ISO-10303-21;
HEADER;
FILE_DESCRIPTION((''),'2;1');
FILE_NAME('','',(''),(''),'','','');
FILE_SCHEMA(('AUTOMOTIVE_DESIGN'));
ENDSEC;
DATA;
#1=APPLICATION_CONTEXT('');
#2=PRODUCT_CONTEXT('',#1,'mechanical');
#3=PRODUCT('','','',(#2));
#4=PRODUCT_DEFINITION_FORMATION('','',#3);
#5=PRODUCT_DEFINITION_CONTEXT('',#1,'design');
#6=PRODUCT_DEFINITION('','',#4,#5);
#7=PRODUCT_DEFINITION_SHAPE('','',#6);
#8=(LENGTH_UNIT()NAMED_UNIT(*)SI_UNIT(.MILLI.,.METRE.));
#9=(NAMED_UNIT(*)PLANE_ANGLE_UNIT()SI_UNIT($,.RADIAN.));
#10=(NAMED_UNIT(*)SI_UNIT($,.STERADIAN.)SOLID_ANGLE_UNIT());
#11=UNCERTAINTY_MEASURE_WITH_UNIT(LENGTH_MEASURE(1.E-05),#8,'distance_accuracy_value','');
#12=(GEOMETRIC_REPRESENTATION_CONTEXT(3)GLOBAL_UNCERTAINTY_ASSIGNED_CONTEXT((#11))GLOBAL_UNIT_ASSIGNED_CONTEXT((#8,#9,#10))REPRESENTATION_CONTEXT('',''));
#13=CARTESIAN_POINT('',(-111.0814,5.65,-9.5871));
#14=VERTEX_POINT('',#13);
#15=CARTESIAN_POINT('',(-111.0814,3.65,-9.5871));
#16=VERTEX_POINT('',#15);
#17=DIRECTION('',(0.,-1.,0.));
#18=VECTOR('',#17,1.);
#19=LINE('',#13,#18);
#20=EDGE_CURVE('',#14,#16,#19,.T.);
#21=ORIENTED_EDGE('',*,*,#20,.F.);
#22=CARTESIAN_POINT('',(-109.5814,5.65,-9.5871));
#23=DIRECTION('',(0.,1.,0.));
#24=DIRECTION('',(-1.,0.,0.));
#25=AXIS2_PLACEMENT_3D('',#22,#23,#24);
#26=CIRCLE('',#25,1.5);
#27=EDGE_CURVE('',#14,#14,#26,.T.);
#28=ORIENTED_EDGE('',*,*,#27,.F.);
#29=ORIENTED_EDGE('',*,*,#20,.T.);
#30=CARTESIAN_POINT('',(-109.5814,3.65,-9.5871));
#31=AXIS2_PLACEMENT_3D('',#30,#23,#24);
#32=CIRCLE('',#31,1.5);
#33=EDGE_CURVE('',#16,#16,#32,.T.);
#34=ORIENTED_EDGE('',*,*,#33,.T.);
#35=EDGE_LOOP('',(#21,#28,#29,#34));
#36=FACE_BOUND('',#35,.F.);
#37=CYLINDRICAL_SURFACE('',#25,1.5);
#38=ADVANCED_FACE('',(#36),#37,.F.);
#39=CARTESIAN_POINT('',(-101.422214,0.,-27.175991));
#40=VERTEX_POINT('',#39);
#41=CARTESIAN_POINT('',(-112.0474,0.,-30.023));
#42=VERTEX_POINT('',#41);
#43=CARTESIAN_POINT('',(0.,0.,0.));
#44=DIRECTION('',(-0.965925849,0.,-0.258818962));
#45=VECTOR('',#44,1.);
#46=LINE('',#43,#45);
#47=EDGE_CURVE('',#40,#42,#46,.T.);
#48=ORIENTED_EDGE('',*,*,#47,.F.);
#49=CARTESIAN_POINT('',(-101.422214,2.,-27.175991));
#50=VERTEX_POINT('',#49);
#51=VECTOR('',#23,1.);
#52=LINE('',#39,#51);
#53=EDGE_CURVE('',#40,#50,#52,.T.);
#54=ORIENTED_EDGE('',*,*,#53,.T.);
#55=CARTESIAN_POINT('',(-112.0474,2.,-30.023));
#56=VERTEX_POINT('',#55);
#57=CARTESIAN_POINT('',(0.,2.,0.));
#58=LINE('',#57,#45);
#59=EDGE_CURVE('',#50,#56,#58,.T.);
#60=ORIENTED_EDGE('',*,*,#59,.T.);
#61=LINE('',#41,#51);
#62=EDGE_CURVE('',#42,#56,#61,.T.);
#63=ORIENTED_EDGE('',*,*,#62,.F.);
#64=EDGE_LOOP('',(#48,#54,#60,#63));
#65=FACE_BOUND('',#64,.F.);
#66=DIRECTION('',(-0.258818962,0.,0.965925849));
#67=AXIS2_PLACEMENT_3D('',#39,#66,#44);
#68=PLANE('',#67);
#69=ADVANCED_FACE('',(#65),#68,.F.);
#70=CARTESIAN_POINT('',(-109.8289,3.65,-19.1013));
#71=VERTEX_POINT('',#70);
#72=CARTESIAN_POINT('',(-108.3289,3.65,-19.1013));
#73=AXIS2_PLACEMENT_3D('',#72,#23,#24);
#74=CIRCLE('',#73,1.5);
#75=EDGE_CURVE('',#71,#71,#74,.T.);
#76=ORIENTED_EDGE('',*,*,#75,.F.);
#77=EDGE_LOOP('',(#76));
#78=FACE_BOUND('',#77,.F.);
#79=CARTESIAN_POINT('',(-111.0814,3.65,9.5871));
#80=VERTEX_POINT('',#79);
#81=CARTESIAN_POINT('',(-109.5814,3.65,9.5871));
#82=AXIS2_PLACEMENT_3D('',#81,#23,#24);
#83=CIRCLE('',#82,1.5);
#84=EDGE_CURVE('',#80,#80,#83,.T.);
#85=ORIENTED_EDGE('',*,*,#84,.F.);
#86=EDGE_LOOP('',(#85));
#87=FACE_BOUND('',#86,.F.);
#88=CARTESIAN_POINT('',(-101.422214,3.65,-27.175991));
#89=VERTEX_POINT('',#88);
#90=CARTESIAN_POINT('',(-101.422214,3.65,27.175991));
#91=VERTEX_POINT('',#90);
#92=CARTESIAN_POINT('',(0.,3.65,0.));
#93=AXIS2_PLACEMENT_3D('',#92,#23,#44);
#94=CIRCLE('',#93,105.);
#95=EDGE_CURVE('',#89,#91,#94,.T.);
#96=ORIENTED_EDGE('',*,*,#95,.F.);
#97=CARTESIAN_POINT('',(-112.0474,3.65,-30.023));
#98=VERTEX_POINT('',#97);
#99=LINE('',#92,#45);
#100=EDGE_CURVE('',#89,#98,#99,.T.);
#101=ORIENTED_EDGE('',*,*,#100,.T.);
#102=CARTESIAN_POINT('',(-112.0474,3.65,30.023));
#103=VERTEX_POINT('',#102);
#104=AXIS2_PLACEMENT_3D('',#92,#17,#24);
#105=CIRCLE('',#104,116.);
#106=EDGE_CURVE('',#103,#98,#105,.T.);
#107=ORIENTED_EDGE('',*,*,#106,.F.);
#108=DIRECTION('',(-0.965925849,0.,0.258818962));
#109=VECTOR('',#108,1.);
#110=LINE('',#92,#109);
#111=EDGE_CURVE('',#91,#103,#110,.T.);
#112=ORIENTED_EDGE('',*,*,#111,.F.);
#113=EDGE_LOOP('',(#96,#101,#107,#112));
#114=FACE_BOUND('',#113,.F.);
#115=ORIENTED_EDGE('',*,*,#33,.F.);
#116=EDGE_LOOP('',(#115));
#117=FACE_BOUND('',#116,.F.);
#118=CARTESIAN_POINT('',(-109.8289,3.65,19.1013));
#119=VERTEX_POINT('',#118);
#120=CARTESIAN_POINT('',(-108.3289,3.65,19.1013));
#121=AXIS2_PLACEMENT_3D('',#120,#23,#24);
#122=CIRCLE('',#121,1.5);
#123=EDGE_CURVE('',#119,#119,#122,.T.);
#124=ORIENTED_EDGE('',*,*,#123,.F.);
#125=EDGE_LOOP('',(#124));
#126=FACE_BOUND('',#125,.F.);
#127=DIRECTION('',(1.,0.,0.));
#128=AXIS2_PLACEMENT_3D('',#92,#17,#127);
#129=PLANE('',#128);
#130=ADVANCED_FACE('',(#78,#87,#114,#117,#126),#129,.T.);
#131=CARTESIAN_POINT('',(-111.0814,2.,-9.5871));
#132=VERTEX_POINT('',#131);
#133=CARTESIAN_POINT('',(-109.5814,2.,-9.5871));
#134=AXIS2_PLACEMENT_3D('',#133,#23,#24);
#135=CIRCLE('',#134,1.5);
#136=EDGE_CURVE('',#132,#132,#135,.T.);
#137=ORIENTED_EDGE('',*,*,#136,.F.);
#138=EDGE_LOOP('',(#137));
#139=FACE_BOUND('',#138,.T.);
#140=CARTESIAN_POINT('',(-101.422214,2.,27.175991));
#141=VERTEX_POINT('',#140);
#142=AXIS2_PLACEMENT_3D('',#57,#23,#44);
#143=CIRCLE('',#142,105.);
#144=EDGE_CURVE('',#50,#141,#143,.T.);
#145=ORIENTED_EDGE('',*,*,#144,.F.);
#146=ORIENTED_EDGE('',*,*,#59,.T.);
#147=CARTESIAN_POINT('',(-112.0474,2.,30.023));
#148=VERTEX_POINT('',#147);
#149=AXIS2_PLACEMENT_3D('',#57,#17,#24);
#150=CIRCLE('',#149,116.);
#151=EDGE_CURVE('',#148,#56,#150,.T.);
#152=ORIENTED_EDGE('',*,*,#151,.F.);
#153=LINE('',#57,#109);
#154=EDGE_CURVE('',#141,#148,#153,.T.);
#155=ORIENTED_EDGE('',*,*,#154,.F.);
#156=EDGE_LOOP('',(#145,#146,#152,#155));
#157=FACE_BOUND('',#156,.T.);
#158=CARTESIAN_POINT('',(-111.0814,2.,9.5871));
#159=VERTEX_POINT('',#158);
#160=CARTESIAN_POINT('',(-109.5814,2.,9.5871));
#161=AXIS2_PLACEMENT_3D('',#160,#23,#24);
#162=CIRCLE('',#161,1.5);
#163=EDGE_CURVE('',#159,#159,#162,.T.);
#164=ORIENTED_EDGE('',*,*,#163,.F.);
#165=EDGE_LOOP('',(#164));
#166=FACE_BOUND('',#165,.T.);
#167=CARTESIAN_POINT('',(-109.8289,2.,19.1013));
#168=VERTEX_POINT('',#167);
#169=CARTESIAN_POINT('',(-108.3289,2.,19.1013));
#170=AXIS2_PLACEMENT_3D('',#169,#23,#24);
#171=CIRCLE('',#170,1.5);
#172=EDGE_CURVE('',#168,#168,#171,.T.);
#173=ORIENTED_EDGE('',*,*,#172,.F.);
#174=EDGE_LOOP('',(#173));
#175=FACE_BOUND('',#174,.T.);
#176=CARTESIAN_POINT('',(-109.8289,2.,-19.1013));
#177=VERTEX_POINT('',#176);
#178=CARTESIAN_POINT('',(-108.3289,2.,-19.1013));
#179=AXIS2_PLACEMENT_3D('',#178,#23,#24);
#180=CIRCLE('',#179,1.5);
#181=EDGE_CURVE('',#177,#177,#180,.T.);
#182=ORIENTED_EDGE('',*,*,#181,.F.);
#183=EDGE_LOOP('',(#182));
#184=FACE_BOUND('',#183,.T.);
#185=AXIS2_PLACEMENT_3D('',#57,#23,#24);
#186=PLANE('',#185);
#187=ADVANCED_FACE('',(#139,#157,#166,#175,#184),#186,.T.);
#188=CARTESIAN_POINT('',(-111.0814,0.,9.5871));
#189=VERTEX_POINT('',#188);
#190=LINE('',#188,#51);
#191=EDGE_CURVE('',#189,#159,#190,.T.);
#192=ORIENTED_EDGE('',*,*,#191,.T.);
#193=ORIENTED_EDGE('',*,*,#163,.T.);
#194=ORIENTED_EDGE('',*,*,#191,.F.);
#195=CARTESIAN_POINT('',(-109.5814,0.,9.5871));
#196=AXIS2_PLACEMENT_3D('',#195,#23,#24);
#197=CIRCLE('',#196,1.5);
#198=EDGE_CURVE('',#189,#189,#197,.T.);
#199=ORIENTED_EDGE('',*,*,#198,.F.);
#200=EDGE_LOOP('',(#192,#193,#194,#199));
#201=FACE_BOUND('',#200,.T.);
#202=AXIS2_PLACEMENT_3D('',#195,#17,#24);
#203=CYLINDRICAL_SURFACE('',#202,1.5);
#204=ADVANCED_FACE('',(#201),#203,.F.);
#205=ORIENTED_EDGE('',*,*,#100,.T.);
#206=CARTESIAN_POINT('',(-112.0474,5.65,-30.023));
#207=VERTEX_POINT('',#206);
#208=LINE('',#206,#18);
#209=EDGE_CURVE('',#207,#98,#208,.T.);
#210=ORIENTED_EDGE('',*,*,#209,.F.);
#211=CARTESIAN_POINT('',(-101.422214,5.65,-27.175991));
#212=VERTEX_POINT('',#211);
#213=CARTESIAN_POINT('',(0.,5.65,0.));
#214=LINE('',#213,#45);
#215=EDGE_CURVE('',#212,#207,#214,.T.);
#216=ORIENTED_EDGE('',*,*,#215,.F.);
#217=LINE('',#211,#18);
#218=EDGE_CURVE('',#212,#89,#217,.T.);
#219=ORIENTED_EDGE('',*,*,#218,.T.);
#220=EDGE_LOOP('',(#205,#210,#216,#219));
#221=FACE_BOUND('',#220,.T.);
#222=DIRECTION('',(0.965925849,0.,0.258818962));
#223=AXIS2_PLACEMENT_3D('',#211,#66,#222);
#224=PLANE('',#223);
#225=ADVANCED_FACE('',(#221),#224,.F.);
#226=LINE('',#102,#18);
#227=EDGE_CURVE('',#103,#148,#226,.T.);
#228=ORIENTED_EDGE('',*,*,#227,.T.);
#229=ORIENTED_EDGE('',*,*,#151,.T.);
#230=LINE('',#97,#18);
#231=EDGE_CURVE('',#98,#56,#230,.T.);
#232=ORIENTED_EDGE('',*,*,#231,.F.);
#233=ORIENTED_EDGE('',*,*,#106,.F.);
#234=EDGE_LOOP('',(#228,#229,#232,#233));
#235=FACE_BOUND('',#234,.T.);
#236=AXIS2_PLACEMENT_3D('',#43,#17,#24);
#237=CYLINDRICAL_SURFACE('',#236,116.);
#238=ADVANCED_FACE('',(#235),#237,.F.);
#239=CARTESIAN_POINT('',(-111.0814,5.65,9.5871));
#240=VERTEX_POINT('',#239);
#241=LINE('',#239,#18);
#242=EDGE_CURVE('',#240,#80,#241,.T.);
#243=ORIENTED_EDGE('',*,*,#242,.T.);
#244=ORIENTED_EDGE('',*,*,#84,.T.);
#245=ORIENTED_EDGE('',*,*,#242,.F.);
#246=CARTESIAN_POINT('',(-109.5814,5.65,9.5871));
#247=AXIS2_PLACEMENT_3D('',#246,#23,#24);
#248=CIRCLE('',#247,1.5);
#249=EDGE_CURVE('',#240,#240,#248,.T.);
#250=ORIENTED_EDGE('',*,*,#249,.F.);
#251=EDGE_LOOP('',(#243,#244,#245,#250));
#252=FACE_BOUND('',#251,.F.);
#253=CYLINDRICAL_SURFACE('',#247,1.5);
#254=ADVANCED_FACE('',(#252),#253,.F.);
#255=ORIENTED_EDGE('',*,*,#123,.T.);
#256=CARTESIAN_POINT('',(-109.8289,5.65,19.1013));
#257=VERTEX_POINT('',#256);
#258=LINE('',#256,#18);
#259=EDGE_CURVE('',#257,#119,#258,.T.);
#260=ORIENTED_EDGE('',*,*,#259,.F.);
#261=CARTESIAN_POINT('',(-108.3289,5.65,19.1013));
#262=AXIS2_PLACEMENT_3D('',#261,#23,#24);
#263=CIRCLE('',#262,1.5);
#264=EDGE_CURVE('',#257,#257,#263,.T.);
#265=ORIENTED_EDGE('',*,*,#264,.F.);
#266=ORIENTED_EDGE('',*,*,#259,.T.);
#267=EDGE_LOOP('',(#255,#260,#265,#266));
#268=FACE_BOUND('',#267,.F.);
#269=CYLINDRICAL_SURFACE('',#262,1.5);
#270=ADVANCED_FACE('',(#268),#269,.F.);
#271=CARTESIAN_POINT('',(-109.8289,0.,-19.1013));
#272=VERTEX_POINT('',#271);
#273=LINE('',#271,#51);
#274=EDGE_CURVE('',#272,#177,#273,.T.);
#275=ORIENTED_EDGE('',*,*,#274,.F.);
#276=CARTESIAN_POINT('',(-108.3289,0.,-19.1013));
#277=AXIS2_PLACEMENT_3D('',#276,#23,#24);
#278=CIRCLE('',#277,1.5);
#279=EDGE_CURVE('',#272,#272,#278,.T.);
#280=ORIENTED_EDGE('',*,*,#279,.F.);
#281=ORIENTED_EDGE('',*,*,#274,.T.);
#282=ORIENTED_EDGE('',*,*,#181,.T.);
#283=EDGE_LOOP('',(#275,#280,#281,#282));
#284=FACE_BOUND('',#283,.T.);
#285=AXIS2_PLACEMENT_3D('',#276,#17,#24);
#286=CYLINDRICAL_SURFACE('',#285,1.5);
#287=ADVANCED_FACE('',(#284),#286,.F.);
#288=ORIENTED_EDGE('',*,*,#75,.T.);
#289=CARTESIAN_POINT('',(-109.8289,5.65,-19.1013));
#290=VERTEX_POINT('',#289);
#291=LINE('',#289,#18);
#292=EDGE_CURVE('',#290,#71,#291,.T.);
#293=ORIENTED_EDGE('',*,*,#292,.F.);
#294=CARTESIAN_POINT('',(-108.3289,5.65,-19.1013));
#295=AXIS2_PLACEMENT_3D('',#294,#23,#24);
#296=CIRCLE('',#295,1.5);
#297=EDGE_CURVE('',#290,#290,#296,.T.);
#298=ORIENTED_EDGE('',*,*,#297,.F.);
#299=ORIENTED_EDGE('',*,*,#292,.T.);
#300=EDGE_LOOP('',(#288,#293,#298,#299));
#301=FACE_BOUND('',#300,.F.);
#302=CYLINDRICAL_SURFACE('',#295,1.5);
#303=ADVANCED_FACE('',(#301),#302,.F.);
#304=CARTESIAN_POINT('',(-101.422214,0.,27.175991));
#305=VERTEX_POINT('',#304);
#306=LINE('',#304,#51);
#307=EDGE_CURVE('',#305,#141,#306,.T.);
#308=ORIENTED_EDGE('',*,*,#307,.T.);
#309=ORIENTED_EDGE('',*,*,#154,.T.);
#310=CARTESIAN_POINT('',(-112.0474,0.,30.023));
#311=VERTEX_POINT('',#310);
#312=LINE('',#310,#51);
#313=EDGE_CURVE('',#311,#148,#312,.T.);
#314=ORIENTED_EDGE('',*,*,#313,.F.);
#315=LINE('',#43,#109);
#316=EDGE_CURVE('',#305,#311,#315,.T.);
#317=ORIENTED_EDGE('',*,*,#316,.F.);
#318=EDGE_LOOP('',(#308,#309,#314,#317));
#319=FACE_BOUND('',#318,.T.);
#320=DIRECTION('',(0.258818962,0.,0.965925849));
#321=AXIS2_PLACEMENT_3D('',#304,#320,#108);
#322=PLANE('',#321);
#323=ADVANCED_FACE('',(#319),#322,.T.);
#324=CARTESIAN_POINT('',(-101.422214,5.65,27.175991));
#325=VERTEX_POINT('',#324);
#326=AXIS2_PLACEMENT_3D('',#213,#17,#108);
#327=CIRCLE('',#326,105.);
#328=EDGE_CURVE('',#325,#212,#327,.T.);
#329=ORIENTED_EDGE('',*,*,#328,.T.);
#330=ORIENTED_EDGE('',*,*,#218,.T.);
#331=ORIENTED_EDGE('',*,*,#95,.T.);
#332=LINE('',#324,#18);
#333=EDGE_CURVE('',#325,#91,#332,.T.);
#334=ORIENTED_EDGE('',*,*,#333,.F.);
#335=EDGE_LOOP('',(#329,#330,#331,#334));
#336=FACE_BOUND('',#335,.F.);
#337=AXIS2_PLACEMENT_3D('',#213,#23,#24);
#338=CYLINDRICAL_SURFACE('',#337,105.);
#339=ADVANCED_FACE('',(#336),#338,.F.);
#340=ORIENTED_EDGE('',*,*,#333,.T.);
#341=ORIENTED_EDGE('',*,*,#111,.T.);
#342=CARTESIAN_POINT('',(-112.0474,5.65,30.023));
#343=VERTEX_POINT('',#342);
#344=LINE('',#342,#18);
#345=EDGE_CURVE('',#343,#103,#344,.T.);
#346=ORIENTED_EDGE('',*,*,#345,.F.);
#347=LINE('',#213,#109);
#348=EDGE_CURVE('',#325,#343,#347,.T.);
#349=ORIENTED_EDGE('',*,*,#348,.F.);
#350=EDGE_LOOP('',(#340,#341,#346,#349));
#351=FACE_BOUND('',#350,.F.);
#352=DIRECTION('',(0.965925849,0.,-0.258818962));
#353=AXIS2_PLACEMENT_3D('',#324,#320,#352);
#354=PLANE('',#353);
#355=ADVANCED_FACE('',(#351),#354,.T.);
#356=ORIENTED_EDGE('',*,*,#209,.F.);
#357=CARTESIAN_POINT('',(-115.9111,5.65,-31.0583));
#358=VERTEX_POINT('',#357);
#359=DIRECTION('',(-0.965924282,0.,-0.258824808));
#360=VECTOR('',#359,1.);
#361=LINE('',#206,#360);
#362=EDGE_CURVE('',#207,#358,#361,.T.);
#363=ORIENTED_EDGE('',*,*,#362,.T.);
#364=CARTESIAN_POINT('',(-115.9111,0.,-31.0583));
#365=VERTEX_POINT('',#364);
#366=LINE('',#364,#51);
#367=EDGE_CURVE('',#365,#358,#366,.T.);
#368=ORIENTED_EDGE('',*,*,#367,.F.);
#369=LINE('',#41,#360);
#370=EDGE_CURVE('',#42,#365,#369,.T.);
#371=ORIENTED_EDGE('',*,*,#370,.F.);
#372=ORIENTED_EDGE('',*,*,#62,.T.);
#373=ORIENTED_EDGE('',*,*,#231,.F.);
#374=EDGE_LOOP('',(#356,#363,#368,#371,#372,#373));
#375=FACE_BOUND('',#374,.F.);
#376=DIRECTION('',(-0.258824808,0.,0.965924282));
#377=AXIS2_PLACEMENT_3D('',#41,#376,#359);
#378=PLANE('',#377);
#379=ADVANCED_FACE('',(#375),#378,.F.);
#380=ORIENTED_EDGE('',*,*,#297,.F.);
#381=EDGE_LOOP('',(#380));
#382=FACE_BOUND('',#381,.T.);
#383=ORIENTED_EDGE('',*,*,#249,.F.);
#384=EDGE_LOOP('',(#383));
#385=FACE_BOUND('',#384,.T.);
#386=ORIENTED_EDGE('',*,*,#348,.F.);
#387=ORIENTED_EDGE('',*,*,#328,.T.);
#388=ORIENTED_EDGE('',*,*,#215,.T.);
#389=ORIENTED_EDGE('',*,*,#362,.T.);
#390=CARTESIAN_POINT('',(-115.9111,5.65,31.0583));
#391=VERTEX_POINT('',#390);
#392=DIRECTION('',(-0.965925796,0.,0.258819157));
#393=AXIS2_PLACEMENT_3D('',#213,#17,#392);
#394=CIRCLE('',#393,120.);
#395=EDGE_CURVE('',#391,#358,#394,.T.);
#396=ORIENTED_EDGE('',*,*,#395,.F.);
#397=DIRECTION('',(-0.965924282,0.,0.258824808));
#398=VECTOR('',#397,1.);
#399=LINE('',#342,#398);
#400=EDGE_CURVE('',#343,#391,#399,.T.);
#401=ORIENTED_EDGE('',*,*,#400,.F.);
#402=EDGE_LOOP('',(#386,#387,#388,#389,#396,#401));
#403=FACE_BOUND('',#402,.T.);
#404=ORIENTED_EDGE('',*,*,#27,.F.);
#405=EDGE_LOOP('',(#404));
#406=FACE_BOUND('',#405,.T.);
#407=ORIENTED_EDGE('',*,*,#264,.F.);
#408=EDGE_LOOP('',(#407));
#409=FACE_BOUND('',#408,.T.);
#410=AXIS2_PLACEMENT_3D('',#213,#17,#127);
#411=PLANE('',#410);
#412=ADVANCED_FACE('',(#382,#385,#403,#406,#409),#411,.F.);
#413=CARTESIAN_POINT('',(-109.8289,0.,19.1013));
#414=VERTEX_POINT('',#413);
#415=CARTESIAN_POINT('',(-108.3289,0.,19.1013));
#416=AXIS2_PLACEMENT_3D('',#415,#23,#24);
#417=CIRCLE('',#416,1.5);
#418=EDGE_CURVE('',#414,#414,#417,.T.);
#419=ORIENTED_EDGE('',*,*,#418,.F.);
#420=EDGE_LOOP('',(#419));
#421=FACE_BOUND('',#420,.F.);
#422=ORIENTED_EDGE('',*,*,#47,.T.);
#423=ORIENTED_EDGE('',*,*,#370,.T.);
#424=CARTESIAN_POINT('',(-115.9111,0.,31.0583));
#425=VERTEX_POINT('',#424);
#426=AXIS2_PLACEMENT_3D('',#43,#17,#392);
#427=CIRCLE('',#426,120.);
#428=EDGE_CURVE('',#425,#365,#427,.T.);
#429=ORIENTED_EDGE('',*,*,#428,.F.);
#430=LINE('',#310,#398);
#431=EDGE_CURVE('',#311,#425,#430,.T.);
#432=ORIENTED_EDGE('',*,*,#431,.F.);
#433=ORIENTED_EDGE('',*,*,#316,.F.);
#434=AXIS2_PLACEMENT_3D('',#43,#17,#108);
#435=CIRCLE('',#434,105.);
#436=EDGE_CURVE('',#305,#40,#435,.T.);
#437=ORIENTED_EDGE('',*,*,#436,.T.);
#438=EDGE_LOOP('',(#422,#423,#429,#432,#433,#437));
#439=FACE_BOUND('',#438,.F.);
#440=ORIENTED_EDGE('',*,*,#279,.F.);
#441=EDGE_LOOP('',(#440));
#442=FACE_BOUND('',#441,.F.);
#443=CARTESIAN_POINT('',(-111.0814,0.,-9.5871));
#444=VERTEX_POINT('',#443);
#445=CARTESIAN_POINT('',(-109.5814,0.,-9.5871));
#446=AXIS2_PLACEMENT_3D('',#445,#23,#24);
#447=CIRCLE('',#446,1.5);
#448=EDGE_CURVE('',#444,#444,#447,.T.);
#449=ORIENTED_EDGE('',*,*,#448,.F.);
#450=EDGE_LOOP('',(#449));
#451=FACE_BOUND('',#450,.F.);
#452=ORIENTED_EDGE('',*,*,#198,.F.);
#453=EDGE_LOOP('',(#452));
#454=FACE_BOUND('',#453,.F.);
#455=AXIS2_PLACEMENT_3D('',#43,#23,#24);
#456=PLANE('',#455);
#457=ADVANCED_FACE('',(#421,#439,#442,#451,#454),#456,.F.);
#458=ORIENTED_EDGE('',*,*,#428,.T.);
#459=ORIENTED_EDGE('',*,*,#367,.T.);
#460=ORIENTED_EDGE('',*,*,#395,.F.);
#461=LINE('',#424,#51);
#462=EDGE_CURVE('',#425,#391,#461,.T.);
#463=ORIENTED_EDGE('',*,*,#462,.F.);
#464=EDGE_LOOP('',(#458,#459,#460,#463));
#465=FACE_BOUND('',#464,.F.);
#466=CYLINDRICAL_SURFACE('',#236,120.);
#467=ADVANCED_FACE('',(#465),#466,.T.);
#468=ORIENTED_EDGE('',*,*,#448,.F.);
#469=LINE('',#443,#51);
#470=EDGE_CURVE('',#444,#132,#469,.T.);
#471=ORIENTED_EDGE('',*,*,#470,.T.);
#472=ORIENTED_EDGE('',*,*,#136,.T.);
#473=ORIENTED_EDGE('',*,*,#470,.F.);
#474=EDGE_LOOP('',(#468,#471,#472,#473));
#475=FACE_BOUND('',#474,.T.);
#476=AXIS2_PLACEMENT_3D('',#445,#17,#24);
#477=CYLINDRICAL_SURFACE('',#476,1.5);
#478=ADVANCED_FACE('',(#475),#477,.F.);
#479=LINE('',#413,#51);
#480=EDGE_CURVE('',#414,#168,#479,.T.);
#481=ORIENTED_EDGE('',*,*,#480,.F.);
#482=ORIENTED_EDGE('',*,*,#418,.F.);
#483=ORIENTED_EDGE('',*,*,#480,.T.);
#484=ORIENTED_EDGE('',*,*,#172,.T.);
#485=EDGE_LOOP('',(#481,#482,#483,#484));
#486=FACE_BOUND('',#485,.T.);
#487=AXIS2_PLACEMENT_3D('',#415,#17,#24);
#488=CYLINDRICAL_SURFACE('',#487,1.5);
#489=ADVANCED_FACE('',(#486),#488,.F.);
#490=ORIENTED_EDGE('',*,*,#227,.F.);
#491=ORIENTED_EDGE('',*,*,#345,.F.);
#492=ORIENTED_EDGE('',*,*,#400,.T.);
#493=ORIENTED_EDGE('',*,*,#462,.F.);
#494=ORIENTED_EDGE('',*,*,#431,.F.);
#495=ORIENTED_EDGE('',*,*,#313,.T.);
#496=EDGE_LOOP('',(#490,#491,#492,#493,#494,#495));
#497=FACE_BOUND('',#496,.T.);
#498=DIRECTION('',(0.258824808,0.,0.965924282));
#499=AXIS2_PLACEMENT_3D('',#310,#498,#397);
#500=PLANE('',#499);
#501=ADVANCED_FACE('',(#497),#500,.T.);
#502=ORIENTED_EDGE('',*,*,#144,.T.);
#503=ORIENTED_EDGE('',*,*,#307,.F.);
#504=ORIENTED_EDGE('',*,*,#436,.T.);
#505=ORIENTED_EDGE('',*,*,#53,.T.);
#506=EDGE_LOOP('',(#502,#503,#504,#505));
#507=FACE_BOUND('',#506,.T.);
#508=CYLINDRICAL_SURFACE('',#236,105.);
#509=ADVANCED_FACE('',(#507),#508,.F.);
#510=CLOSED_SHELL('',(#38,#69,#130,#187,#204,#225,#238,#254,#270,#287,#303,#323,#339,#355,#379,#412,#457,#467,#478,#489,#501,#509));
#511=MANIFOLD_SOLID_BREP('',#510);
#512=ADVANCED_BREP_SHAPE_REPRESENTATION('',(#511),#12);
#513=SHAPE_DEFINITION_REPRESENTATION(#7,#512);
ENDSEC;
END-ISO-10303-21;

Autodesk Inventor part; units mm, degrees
ref_plane "YZ Plane" through (0, 0, 0) normal (1, 0, 0) x (0, 1, 0)
ref_plane "XZ Plane" through (0, 0, 0) normal (0, 1, 0) x (-1, 0, 0)
ref_plane "XY Plane" through (0, 0, 0) normal (0, 0, 1) x (1, 0, 0)
sketch "スケッチ1" plane through (0, 0, 0) normal (0, 1, 0) x (-1, 0, 0)
  circle A0 centre (0, 0) radius 105
  circle A1 centre (0, 0) radius 116
  line L0 (0, 0) -> (112.0474, 30.023)
  line L1 (0, 0) -> (112.0474, -30.023)
  line L2 (168, 0) -> (-168, 0) projected
  circle A2 centre (0, 0) radius 110 construction
  line L3 (0, 0) -> (108.3289, 19.1013) construction
  line L4 (109.5814, 9.5871) -> (0, 0) construction
  line L5 (109.5814, -9.5871) -> (0, 0) construction
  line L6 (0, 0) -> (108.3289, -19.1013) construction
  circle A3 centre (109.5814, 9.5871) radius 1.5
  circle A4 centre (108.3289, 19.1013) radius 1.5
  circle A5 centre (109.5814, -9.5871) radius 1.5
  circle A6 centre (108.3289, -19.1013) radius 1.5
  circle A7 centre (0, 0) radius 120
  line L7 (112.0474, 30.023) -> (115.9111, 31.0583)
  line L8 (112.0474, -30.023) -> (115.9111, -31.0583)
  point P0 (101.4222, -27.176)
  point P1 (101.4222, 27.176)
  dimension "d0" = 210
  dimension "d1" = 232
  dimension "d2" = 15
  dimension "d3" = 15
  dimension "d4" = 220
  dimension "d5" = 5
  dimension "d6" = 5
  dimension "d7" = 5
  dimension "d8" = 5
  dimension "d9" = 3
  dimension "d10" = 240
extrude "押し出し1" add sketch "スケッチ1" along normal blind 2 contours L2 A1 L1 A0 | A0 L0 A1 L2 | L2 A7 L8 A1 | A1 L7 A7 L2 picked at (107.2059, -25.9298) picked at (107.2059, 25.9298) picked at (115.3785, -27.3064) picked at (115.3785, 27.3064)
extrude "押し出し2" add sketch "スケッチ1" along normal blind 2.825 contours L2 A7 L8 A1 | A1 L7 A7 L2 picked at (115.3785, -27.3064) picked at (115.3785, 27.3064)
mirror "ミラー1" about plane through (-116.0237, 2.825, 0) normal (0, 1, 0)
equation "\"d6\" = d5"
equation "\"d7\" = d5"
equation "\"d8\" = d5"
properties part number "plate_cover"
